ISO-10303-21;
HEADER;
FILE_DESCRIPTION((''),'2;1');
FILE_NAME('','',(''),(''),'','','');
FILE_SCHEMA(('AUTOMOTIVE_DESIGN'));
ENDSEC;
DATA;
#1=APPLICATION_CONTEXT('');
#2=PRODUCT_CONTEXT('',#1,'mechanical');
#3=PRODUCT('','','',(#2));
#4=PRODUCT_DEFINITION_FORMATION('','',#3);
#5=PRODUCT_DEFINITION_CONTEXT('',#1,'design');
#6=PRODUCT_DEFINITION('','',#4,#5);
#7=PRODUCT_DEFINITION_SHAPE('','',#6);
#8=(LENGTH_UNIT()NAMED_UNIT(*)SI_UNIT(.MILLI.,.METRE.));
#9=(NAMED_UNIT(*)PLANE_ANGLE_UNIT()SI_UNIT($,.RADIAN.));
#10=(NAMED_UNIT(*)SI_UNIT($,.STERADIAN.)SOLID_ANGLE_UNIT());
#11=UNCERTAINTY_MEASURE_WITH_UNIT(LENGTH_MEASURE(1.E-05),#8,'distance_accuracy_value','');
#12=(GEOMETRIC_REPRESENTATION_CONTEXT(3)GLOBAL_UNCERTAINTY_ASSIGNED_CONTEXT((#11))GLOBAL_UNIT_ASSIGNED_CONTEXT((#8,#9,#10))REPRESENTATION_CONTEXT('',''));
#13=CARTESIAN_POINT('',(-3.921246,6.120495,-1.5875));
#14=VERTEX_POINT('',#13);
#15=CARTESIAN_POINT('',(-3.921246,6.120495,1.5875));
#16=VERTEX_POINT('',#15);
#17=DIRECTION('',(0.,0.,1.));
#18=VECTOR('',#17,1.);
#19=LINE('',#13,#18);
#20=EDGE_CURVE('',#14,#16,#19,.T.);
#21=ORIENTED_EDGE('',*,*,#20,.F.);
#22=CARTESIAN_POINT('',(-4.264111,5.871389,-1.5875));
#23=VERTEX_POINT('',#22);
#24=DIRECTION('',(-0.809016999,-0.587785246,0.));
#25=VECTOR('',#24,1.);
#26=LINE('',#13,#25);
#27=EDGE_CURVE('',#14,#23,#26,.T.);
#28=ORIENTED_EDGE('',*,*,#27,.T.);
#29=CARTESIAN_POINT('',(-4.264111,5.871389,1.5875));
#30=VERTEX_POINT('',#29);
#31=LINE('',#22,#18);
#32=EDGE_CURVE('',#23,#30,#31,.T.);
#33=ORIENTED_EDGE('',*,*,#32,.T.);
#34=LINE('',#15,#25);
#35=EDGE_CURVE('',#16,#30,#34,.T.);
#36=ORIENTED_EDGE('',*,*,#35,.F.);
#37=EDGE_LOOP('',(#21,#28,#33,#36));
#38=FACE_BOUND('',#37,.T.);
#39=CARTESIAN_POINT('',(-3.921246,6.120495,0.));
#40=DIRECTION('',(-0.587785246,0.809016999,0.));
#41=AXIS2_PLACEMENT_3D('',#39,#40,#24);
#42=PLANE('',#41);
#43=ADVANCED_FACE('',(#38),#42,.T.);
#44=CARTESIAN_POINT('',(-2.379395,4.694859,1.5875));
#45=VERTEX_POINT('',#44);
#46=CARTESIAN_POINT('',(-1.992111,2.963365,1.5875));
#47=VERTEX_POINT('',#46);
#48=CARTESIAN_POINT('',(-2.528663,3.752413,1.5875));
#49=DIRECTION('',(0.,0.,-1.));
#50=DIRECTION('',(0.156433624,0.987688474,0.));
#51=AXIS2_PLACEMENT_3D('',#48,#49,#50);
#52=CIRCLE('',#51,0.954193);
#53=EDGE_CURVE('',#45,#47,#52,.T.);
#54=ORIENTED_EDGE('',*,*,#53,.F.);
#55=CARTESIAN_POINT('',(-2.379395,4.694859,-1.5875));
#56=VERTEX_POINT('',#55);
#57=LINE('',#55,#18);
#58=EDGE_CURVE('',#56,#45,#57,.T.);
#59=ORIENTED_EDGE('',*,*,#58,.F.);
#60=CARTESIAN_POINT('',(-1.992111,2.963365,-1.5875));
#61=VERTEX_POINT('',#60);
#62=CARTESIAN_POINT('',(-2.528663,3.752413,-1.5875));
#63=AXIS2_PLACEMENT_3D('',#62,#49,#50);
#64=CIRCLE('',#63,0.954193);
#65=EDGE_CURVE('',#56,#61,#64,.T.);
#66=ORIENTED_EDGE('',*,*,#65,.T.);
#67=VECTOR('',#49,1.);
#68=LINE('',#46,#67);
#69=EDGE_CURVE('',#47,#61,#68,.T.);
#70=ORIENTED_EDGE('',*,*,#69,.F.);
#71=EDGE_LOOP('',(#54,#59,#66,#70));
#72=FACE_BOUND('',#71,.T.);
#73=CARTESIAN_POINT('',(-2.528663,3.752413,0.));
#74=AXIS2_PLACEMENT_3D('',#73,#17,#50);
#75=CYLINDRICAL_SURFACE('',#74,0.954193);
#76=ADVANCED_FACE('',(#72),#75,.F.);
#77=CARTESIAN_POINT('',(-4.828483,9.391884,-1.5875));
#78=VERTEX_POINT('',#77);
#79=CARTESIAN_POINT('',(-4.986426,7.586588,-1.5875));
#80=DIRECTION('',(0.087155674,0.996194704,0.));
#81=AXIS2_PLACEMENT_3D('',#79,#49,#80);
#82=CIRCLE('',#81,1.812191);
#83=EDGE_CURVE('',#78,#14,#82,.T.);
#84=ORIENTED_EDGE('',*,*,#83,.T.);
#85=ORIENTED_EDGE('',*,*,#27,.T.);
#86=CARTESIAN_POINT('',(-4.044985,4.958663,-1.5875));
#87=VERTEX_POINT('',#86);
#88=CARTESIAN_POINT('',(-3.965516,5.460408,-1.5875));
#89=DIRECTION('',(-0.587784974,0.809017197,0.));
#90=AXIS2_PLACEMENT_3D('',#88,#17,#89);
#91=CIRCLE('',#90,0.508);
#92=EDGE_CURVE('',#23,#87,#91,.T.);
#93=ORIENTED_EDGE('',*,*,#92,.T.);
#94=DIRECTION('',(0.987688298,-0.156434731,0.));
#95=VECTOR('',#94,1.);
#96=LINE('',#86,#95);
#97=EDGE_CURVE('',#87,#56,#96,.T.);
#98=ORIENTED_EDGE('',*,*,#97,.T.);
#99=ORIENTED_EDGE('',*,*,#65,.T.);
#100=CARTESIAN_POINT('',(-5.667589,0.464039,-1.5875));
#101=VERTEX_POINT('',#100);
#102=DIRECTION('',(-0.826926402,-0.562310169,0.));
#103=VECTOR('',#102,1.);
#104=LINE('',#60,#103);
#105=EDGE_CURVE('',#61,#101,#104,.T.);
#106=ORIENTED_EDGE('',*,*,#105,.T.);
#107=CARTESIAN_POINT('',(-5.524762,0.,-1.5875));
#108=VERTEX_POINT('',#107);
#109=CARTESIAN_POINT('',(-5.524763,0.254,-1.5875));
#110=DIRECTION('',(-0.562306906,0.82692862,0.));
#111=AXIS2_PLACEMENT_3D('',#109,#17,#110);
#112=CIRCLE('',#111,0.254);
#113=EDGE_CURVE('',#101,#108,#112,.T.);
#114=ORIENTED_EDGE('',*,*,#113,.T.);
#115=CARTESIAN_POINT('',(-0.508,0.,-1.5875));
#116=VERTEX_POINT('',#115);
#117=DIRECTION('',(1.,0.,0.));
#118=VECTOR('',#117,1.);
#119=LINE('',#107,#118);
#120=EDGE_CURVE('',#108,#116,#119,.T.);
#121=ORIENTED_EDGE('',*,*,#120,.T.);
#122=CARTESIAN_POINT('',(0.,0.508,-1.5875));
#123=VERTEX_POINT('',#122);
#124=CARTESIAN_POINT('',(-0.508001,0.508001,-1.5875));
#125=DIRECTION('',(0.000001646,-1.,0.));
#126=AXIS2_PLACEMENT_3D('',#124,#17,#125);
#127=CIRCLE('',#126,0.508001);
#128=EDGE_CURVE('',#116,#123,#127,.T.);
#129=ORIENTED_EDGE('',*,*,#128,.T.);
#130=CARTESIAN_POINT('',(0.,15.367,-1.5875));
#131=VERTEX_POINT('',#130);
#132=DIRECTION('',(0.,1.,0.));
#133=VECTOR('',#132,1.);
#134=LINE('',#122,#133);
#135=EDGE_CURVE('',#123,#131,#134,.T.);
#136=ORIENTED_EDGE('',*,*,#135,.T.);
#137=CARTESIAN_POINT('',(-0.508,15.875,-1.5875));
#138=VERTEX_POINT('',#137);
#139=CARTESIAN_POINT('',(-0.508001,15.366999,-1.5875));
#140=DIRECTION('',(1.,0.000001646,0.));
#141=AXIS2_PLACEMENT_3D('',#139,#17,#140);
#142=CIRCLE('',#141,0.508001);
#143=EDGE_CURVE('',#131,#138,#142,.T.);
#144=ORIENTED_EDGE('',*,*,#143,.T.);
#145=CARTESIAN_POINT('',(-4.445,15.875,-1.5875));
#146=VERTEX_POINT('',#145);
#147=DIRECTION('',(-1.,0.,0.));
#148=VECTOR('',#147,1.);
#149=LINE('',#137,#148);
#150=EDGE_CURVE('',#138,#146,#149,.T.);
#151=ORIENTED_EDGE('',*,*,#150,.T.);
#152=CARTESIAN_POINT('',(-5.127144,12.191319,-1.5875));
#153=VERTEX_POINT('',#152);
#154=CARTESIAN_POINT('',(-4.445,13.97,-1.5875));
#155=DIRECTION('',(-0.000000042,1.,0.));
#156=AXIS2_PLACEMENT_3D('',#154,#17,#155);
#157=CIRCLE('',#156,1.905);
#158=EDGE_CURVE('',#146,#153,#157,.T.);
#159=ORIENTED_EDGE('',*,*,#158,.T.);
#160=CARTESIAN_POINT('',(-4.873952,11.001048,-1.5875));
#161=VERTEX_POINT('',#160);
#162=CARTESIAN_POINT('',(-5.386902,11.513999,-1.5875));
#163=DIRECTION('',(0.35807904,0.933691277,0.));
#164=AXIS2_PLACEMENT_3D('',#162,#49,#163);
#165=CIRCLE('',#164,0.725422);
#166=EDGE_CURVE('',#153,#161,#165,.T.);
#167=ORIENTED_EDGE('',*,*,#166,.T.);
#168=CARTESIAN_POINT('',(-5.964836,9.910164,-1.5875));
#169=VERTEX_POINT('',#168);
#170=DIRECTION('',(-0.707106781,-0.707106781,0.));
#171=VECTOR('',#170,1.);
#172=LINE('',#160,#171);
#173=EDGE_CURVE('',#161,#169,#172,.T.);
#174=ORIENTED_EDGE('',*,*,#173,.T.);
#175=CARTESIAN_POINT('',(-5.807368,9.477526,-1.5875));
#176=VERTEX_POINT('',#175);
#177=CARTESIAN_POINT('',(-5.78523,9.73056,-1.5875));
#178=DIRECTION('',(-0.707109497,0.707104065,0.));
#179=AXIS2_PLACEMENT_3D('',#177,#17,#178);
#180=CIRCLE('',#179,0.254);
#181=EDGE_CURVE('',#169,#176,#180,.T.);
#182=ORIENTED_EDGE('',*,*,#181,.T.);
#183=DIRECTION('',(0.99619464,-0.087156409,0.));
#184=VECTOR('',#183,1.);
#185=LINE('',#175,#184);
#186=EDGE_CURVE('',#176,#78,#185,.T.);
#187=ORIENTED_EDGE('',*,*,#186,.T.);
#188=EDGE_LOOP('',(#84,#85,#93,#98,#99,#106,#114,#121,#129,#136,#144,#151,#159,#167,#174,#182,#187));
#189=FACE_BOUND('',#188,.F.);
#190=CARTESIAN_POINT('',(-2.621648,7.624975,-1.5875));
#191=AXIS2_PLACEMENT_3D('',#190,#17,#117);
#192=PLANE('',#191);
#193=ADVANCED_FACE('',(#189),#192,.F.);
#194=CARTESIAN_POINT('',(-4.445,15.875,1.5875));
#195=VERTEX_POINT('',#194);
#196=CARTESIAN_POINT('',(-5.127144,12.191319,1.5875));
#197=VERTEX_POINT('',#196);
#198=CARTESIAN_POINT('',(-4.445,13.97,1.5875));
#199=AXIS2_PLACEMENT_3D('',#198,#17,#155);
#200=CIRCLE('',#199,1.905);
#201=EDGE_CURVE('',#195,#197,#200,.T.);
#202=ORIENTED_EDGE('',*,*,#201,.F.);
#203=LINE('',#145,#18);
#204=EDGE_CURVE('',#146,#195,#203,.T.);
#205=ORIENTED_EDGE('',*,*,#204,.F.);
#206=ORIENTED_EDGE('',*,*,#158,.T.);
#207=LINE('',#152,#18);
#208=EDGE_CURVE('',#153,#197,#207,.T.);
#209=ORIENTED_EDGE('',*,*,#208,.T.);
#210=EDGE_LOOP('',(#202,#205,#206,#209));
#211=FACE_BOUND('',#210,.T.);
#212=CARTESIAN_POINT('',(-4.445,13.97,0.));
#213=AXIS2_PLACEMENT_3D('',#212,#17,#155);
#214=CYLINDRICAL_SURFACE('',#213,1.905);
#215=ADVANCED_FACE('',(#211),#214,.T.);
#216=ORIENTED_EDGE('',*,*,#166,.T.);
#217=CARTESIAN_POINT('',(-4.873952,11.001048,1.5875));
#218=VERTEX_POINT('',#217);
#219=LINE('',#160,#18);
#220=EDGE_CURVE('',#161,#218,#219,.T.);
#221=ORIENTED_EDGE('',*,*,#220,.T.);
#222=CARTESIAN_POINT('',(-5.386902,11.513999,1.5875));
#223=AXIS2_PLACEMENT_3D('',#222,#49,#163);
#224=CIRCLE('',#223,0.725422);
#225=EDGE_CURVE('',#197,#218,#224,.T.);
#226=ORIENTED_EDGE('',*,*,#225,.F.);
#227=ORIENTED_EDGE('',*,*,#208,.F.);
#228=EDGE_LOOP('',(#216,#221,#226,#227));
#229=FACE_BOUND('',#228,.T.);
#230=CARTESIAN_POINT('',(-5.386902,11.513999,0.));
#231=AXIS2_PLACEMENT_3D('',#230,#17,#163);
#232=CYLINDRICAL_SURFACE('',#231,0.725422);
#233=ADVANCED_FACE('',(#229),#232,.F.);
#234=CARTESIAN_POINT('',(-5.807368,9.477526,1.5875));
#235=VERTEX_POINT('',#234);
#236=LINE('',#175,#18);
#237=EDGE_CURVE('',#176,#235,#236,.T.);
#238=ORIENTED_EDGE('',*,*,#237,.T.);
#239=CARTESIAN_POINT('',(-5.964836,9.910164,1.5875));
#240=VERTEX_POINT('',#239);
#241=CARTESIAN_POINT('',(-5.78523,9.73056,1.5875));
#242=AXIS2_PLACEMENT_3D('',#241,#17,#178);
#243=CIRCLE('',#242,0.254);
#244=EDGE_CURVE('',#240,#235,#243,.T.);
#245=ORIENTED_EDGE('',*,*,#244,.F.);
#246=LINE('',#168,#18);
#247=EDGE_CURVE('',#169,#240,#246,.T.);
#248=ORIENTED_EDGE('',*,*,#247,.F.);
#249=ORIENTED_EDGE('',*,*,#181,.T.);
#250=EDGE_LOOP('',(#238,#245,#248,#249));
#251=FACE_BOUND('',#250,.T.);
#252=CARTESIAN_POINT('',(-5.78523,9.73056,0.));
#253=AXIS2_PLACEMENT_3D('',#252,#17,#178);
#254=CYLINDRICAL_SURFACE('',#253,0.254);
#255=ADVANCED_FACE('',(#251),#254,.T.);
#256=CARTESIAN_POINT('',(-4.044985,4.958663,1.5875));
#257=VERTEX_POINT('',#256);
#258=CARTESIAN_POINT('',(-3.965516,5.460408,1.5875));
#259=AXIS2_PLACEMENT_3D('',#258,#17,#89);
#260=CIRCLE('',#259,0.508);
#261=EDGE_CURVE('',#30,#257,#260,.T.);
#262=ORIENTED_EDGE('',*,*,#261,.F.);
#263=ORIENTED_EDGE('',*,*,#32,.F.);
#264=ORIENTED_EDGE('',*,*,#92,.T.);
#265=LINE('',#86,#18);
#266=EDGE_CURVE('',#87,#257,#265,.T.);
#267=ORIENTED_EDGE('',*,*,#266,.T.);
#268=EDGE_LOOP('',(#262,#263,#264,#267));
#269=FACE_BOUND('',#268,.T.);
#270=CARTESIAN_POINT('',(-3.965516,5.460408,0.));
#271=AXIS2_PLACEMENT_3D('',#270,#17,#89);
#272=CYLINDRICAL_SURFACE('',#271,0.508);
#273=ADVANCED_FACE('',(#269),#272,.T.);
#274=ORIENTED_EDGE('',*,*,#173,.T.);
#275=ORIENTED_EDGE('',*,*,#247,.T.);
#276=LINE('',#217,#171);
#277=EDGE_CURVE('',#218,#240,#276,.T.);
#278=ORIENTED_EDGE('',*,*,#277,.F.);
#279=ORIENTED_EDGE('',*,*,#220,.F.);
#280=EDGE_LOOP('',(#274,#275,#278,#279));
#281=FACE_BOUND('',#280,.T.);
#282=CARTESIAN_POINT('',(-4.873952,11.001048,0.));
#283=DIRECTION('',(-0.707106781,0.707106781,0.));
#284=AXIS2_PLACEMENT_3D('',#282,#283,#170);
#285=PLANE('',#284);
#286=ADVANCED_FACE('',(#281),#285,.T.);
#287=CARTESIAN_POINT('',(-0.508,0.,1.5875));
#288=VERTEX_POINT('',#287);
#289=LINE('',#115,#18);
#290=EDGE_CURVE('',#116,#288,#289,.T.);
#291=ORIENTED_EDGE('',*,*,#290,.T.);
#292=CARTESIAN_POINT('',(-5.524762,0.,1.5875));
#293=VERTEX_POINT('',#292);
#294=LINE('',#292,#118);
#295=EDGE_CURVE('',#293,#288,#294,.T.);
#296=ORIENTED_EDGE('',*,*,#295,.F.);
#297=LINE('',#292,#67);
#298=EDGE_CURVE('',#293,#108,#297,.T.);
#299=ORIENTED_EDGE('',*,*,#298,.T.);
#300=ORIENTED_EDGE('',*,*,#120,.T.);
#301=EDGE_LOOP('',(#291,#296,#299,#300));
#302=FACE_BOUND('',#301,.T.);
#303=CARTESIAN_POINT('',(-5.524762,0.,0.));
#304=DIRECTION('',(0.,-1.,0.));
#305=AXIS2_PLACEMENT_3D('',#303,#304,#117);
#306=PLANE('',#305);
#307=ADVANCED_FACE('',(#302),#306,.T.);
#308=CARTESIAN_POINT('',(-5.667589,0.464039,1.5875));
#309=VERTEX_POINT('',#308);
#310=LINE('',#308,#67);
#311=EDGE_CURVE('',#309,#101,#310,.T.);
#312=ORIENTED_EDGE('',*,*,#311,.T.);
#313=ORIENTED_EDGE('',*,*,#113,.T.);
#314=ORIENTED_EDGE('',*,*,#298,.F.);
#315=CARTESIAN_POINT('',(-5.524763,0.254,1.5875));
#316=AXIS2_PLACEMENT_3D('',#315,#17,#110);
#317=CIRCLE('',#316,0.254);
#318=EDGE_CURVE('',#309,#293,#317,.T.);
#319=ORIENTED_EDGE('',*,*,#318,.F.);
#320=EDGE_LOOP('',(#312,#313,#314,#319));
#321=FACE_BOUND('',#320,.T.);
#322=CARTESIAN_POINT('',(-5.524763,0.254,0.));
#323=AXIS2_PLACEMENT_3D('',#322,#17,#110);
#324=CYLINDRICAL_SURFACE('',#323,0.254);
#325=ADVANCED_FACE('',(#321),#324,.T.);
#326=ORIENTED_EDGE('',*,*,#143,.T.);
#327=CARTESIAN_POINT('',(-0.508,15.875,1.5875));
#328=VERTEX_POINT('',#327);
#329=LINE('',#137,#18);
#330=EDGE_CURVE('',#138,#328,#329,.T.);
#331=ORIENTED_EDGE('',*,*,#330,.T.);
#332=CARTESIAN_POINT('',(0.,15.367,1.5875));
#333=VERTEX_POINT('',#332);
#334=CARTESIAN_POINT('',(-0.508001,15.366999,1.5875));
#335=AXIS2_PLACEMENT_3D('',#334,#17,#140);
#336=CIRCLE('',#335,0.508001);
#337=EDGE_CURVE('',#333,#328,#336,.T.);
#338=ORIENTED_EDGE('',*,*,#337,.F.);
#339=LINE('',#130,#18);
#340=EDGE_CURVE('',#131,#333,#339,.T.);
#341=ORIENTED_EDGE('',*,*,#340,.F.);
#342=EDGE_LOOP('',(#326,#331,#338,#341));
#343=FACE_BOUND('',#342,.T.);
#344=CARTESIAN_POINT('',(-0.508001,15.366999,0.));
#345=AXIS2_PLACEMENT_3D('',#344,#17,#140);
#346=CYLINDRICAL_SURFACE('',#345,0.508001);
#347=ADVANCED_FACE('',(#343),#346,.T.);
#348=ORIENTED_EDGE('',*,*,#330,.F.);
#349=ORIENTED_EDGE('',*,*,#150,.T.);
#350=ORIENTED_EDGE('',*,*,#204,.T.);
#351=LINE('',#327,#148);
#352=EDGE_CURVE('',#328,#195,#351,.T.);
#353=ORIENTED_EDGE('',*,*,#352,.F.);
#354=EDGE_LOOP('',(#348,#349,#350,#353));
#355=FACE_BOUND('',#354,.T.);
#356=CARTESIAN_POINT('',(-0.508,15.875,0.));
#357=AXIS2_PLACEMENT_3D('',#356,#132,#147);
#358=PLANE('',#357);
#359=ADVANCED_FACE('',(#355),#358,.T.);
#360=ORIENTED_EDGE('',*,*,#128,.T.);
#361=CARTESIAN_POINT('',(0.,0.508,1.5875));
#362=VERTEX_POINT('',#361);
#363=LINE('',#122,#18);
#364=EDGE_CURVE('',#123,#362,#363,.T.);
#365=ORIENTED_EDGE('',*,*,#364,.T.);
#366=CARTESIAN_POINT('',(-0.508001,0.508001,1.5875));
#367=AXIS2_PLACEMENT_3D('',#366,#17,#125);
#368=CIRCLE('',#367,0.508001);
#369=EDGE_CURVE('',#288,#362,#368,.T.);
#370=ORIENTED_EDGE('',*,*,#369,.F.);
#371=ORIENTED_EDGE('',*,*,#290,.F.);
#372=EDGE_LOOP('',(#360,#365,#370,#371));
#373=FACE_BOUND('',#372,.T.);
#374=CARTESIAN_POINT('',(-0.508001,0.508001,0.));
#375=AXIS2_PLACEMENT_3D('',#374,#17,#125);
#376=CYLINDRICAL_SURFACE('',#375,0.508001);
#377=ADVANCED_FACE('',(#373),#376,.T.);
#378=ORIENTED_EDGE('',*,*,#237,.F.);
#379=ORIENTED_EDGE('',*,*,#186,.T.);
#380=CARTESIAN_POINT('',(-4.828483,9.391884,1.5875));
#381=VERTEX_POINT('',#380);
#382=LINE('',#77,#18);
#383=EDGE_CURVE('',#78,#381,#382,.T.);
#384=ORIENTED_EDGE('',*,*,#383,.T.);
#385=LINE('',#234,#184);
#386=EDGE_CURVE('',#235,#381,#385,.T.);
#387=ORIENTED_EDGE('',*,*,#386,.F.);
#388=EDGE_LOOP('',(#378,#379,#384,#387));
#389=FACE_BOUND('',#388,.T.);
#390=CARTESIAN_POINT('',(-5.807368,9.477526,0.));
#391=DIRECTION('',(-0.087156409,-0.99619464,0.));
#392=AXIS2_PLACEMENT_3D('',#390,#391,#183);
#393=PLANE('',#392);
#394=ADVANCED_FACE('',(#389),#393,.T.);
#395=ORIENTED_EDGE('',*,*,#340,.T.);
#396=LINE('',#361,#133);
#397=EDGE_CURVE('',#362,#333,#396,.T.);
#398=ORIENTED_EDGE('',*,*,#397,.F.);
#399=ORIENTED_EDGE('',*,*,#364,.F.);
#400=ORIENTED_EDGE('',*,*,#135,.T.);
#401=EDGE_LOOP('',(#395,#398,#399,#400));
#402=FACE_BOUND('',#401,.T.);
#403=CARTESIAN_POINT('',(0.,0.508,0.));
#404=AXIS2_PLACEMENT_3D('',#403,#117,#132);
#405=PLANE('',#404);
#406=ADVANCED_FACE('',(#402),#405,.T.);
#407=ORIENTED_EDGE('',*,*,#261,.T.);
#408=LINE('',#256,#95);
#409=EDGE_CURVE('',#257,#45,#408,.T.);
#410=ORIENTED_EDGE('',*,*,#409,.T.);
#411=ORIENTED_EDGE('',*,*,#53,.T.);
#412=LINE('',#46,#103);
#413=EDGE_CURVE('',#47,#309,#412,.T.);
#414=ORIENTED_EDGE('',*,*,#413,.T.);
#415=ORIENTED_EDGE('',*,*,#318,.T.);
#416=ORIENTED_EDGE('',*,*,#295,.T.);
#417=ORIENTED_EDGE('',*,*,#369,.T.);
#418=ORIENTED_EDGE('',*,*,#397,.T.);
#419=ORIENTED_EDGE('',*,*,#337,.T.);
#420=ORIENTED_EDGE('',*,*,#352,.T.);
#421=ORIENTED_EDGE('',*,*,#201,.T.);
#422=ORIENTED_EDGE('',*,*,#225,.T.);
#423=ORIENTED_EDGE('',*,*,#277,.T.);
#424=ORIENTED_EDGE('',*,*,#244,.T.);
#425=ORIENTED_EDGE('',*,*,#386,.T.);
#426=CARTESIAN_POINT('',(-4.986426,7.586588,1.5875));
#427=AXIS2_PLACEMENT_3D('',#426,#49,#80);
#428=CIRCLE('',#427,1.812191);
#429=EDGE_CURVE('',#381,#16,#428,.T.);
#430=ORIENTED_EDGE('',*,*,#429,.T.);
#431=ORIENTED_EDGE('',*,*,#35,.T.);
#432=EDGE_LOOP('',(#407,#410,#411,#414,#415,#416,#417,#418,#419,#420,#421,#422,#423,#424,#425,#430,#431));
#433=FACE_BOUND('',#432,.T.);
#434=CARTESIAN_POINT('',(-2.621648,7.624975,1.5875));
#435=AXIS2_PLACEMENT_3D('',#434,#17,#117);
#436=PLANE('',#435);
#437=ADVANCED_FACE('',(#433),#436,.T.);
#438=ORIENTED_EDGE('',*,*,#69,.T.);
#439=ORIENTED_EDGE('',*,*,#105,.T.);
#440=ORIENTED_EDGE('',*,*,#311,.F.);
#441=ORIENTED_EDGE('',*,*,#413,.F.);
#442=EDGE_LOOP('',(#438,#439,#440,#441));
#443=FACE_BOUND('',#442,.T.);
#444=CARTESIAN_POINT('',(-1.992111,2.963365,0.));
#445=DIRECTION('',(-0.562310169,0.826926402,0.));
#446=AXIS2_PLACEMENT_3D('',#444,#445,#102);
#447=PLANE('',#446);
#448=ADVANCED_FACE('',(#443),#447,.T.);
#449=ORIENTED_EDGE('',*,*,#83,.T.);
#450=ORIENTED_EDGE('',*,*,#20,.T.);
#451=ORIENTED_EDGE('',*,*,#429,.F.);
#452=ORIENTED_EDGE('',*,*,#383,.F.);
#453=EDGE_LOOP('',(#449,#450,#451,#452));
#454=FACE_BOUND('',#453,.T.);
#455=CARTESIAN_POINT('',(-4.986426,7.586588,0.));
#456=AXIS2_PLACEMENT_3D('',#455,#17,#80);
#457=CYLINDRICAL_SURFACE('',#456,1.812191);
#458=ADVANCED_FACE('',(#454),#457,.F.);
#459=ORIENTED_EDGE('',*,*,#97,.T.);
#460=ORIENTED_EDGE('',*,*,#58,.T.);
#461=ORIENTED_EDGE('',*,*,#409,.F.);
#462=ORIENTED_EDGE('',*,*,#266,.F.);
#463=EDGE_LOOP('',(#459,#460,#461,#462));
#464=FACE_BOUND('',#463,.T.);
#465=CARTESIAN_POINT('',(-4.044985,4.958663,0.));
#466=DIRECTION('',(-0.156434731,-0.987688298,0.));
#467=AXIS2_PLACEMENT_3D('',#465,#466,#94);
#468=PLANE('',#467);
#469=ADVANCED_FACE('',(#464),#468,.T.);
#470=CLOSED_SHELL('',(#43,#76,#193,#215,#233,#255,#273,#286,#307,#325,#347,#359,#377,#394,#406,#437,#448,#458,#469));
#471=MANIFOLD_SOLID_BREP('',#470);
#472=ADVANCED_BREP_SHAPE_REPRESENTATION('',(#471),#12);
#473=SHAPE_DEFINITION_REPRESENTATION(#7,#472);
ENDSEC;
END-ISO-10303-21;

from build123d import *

# Parameters (mm, degrees)
F1_DEPTH = 1.5875


with BuildPart() as f1:
    # F0 (on Top) → F1 (new body, symmetric)
    with BuildSketch(Plane.XY):
        with BuildLine():
            Line((-5.524762, 0), (-0.508, 0))
            ThreePointArc((-0.508, 0), (-0.14879, 0.14879), (0, 0.508))
            Line((0, 0.508), (0, 15.367))
            ThreePointArc((0, 15.367), (-0.14879, 15.72621), (-0.508, 15.875))
            Line((-0.508, 15.875), (-4.445, 15.875))
            ThreePointArc((-4.445, 15.875), (-6.318154, 14.316871), (-5.127144, 12.191319))
            ThreePointArc((-5.127144, 12.191319), (-4.677356, 11.664932), (-4.873952, 11.001048))
            Line((-4.873952, 11.001048), (-5.964836, 9.910164))
            ThreePointArc((-5.964836, 9.910164), (-6.023912, 9.643686), (-5.807368, 9.477526))
            Line((-5.807368, 9.477526), (-4.828483, 9.391884))
            ThreePointArc((-4.828483, 9.391884), (-3.240143, 8.070876), (-3.921246, 6.120495))
            Line((-3.921246, 6.120495), (-4.264111, 5.871389))
            ThreePointArc((-4.264111, 5.871389), (-4.45948, 5.341818), (-4.044985, 4.958663))
            Line((-4.044985, 4.958663), (-2.379395, 4.694859))
            ThreePointArc((-2.379395, 4.694859), (-1.597478, 3.960691), (-1.992111, 2.963365))
            Line((-1.992111, 2.963365), (-5.667589, 0.464039))
            ThreePointArc((-5.667589, 0.464039), (-5.767524, 0.17928), (-5.524762, 0))
        make_face()
    extrude(amount=F1_DEPTH, both=True)


solid = f1.part
